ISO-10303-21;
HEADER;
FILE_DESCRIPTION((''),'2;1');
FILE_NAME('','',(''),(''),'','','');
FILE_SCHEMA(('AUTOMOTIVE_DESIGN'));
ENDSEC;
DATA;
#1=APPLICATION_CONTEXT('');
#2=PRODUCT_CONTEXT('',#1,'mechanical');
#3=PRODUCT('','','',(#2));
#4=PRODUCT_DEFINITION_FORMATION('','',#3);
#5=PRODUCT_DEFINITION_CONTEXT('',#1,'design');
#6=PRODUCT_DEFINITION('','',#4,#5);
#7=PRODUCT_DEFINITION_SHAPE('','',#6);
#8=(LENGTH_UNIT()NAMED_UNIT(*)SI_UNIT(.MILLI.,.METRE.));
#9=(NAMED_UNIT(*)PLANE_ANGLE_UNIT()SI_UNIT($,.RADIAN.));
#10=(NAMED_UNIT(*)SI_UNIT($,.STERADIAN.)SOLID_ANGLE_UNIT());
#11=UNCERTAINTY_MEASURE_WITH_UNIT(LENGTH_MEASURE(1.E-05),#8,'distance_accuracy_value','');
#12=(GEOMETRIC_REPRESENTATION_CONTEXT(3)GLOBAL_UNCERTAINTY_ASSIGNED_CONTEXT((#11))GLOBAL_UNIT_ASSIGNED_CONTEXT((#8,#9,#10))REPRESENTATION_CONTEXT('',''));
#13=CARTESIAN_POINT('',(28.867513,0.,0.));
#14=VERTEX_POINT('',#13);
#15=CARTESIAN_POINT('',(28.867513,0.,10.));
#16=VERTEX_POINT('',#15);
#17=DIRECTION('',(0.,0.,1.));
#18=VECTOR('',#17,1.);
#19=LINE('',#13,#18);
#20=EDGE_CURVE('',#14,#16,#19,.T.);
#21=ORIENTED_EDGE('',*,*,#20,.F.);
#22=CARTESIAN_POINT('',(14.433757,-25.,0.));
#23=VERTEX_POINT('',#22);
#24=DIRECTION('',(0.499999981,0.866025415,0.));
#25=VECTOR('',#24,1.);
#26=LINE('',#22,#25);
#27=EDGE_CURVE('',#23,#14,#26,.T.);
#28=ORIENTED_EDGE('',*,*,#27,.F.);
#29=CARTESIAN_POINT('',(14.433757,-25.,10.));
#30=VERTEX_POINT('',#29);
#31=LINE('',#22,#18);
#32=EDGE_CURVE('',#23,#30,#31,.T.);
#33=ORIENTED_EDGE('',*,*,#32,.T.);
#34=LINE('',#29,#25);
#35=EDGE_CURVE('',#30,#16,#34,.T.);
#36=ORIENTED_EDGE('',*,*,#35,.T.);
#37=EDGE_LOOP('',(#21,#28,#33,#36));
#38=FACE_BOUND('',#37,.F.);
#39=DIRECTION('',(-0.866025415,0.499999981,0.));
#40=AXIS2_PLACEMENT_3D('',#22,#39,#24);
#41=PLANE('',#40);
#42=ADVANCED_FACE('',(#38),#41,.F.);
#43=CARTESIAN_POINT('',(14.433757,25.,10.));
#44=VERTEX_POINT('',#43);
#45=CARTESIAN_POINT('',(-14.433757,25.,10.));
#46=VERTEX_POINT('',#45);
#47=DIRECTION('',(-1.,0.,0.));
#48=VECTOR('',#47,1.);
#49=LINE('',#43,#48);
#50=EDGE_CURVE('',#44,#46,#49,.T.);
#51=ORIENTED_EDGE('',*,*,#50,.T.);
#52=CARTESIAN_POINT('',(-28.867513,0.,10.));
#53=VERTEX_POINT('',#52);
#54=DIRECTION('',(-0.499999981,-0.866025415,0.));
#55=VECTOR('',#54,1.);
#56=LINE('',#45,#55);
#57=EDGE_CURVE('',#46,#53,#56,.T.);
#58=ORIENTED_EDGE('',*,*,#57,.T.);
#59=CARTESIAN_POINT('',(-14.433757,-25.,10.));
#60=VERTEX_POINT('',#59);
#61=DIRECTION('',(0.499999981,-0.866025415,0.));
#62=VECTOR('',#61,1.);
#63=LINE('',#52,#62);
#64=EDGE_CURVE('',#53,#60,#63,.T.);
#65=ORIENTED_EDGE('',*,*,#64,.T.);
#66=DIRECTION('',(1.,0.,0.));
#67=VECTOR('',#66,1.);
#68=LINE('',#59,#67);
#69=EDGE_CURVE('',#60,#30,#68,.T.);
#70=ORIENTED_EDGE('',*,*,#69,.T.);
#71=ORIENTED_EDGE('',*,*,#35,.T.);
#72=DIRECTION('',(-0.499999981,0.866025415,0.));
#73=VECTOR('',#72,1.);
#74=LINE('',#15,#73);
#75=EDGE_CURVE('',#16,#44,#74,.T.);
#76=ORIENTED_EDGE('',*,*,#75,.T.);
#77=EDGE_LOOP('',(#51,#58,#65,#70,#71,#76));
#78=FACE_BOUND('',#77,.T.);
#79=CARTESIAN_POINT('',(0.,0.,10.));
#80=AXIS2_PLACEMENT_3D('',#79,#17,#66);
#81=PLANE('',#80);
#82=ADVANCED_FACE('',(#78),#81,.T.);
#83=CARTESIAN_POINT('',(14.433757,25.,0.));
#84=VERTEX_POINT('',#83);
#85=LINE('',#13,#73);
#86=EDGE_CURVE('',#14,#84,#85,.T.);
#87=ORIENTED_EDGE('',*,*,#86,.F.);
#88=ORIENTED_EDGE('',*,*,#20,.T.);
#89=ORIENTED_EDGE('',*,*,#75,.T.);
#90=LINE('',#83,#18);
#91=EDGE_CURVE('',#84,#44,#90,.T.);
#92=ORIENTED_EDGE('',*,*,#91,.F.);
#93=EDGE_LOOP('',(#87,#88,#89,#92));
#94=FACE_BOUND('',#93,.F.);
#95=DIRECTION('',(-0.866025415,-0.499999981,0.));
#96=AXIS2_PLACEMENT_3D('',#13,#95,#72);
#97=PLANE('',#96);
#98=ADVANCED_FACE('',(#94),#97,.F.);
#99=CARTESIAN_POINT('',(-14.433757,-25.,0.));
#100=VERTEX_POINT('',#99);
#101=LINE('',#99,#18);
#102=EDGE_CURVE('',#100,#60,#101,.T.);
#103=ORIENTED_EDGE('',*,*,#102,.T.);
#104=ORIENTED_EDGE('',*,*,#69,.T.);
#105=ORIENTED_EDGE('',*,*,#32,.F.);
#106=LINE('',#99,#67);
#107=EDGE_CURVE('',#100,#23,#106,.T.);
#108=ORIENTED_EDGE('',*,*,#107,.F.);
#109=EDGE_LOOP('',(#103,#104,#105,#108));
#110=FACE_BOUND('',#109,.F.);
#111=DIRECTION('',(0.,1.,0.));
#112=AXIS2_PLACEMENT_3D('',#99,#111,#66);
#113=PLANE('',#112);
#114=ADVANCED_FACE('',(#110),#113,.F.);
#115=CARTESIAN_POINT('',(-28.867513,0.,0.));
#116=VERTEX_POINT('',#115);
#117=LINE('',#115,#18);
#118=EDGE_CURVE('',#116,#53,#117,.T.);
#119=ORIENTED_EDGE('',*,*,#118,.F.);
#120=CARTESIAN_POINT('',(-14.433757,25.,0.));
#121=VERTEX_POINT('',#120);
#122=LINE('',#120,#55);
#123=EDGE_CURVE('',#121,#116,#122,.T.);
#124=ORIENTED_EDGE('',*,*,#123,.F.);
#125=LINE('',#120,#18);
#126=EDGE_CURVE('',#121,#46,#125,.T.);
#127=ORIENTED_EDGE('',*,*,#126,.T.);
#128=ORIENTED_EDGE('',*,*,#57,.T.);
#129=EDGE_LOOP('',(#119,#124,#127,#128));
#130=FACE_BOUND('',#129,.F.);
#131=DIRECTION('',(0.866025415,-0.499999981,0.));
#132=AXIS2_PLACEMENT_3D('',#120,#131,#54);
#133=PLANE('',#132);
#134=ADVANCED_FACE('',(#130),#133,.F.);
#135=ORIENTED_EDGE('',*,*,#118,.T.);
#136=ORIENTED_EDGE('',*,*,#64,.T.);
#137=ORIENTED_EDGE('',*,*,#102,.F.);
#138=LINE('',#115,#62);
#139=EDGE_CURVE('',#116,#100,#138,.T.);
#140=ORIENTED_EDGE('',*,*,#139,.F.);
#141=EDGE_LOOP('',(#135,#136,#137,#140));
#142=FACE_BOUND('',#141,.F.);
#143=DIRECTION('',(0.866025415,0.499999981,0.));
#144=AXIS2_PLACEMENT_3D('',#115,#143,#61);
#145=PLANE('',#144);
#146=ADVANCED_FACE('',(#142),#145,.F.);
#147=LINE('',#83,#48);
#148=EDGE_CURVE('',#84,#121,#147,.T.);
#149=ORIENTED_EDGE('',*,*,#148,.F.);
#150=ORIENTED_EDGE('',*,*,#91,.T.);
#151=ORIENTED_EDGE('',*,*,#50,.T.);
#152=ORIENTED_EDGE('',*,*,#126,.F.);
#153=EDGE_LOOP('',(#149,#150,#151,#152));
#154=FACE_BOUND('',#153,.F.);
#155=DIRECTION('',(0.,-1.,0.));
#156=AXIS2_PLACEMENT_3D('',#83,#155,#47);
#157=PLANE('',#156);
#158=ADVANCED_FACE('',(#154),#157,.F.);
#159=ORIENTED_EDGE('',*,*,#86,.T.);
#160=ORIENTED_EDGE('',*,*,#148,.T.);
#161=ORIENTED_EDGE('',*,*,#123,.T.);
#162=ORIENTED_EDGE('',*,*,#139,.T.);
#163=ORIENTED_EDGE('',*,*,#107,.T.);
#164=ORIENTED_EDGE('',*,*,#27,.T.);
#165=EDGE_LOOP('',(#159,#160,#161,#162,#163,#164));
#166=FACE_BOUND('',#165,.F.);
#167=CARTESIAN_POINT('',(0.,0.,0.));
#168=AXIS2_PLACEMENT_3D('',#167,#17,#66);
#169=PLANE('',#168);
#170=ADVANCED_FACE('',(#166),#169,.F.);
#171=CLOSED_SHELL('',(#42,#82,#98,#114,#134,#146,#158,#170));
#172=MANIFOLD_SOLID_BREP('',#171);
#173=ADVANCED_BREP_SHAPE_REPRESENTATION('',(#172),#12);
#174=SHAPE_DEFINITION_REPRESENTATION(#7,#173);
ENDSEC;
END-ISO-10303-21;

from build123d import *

# Parameters (mm, degrees)
EXTRUDE_DEPTH = 10


with BuildPart() as part:
    # Sketch → Extrude (new body)
    with BuildSketch(Plane.XY):
        Polygon((28.867513, 0), (14.433757, 25), (-14.433757, 25), (-28.867513, 0), (-14.433757, -25), (14.433757, -25), align=None)
    extrude(amount=EXTRUDE_DEPTH)


solid = part.part
